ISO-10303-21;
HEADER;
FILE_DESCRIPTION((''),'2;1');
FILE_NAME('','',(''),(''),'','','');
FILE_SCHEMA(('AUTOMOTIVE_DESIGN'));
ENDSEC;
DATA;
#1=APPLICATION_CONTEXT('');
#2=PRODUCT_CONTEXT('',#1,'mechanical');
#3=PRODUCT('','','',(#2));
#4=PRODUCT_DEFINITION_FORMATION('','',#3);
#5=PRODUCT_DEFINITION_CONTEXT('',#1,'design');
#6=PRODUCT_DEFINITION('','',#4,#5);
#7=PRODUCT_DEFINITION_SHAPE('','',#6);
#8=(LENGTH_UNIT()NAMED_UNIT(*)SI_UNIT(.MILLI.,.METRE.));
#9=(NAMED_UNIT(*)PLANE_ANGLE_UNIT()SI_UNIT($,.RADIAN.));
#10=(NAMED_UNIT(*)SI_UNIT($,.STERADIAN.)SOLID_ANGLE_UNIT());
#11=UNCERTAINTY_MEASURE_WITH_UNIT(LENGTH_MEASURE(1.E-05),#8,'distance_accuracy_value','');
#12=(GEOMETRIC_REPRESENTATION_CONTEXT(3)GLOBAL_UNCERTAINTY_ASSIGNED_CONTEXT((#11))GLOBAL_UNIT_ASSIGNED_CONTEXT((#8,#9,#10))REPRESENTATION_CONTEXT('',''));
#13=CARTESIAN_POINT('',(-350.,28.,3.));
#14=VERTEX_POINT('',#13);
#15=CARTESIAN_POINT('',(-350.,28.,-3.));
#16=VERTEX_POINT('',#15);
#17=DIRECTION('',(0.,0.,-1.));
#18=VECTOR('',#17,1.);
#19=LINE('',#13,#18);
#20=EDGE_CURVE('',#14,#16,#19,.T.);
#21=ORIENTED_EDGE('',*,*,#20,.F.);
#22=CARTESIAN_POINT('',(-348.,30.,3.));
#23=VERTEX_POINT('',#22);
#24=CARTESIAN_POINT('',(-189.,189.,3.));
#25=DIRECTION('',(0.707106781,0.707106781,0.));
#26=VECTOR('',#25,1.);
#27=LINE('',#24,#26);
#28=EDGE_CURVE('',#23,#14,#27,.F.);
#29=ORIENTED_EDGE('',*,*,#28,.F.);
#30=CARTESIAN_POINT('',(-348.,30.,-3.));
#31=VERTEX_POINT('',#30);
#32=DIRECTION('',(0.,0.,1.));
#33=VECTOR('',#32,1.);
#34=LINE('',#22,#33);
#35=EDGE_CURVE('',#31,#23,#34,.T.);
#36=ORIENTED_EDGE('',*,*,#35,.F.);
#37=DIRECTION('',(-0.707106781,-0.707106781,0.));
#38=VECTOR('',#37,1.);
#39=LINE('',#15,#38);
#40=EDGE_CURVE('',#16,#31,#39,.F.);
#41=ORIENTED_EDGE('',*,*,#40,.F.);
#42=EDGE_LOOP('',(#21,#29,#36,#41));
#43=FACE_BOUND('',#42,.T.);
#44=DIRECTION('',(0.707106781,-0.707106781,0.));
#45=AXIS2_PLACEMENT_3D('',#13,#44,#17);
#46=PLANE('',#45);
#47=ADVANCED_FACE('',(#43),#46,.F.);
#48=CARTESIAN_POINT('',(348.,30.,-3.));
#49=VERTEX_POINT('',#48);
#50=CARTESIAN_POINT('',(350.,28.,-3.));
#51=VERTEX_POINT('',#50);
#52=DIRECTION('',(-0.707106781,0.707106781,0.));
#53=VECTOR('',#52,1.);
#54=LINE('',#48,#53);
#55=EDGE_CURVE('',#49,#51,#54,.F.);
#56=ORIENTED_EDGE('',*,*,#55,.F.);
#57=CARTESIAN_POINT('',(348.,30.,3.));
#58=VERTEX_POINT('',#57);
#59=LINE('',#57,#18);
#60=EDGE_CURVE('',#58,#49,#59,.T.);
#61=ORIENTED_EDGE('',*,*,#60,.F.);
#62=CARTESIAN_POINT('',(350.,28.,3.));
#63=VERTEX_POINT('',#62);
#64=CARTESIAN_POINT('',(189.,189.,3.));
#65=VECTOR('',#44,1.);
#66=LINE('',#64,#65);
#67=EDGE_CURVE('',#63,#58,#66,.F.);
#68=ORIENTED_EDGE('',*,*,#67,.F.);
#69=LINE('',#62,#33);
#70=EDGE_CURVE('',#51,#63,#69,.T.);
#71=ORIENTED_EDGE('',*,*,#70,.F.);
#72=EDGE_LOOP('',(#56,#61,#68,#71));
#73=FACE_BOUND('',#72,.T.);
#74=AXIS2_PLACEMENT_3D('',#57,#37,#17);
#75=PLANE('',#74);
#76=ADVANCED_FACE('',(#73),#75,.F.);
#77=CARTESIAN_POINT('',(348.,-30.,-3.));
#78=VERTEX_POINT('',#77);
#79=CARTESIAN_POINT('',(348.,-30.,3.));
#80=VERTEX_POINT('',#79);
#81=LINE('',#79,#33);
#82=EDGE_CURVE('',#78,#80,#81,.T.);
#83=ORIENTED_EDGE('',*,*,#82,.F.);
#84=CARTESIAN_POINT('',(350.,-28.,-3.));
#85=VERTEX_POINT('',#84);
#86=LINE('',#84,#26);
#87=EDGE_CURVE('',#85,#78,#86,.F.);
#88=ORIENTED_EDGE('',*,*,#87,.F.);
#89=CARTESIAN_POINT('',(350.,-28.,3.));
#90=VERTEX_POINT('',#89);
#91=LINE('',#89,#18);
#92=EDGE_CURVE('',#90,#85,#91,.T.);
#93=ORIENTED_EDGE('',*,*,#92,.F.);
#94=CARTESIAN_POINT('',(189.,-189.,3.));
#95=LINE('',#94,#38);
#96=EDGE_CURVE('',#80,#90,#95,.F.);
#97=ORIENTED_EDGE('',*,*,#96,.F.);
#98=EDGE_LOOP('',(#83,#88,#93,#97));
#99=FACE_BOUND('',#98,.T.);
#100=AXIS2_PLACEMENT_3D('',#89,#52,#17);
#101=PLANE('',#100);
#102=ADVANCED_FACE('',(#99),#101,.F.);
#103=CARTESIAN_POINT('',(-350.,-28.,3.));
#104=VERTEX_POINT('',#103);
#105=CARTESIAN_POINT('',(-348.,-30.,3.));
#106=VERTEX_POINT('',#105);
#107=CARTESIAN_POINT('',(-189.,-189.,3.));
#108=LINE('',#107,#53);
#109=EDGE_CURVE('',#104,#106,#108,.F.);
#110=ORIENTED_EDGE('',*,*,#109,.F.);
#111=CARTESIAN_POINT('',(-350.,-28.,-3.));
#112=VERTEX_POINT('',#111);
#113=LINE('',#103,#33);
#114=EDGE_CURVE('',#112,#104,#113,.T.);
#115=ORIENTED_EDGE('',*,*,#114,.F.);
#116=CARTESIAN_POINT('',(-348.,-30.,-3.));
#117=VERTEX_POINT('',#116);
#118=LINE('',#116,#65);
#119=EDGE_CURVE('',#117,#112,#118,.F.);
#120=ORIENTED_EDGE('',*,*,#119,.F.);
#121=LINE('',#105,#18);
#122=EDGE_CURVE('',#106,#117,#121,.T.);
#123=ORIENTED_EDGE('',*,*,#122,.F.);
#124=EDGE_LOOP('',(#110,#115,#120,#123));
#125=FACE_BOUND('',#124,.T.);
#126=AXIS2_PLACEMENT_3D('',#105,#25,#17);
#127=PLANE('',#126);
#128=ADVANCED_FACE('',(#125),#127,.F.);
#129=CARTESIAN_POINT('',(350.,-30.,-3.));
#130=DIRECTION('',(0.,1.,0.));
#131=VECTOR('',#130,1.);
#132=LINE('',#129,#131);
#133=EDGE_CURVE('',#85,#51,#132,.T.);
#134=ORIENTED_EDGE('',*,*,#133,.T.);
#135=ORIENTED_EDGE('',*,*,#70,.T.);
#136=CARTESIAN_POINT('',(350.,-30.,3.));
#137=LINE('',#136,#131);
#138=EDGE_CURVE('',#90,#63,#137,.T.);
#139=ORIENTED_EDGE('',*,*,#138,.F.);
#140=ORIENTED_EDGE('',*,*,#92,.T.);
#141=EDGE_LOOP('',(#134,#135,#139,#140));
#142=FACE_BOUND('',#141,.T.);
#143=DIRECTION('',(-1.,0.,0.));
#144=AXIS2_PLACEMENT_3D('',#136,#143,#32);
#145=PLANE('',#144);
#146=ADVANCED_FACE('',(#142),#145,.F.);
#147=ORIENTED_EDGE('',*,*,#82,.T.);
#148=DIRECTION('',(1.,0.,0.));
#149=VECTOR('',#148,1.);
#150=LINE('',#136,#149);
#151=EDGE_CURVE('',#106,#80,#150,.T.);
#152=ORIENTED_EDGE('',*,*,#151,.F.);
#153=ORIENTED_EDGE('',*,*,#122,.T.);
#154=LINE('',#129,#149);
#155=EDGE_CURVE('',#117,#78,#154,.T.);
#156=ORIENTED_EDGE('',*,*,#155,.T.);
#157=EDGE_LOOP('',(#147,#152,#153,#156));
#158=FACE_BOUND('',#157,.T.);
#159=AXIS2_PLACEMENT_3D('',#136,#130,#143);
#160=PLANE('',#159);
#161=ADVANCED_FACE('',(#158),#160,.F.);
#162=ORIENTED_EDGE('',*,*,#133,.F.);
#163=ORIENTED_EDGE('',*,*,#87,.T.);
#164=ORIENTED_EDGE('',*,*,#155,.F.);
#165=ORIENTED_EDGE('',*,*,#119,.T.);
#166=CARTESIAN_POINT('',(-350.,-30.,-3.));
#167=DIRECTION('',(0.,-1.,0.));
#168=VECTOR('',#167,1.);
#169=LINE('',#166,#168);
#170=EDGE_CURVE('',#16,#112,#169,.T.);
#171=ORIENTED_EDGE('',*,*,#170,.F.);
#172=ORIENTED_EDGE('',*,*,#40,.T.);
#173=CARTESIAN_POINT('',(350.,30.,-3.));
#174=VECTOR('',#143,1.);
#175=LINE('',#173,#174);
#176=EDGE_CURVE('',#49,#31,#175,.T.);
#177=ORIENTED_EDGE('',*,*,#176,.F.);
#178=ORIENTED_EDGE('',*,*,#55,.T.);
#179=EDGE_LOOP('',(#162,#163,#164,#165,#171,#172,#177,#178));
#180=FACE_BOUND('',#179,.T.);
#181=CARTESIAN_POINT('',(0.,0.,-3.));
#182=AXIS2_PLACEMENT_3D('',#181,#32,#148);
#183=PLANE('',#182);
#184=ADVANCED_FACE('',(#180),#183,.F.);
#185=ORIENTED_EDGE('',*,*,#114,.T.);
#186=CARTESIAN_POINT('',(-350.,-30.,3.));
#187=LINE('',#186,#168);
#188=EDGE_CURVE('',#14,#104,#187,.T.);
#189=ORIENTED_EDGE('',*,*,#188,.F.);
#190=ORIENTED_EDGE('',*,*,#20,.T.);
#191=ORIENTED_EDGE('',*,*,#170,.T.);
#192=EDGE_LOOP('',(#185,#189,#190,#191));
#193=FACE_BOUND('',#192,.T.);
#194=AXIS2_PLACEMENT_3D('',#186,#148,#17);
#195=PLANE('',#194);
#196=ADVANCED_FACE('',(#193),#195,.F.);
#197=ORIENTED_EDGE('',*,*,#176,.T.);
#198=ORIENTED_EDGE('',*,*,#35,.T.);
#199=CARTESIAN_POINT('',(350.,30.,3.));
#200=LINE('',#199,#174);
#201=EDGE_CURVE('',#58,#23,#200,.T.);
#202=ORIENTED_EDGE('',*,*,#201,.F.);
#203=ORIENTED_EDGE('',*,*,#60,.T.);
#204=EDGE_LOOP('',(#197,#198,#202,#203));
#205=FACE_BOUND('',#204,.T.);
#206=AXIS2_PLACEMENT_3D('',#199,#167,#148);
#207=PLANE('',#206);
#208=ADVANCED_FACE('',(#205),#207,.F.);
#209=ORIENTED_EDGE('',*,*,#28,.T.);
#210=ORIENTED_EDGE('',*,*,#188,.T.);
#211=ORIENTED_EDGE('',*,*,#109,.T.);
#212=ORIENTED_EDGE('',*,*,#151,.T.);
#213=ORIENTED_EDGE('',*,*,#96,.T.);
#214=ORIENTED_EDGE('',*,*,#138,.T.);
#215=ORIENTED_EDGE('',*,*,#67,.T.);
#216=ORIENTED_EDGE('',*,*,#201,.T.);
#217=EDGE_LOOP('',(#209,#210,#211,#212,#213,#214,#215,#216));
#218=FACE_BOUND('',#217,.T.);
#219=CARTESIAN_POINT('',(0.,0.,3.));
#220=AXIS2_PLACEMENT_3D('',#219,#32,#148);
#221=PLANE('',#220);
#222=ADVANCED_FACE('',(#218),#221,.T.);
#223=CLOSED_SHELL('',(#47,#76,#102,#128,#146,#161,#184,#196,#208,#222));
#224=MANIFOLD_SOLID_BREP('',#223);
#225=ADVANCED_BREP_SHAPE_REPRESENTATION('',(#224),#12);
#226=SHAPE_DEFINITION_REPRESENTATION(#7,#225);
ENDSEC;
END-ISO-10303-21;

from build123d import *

# Parameters (mm, degrees)
SKETCH_1_W      = 700
SKETCH_1_H      = 60
EXTRUDE_1_DEPTH = 3
CHAMFER_1_SIZE  = 2


with BuildPart() as part:
    # 草图1 → 凸台-拉伸1 (new body, symmetric)
    with BuildSketch(Plane.XY):
        Rectangle(SKETCH_1_W, SKETCH_1_H)
    extrude(amount=EXTRUDE_1_DEPTH, both=True)

    # 倒角1
    chamfer_1_edges = [part.edges().sort_by_distance(p)[0] for p in [
        (-350, 30, 0),
        (350, 30, 0),
        (350, -30, 0),
        (-350, -30, 0),
    ]]
    chamfer(chamfer_1_edges, length=CHAMFER_1_SIZE)


solid = part.part
